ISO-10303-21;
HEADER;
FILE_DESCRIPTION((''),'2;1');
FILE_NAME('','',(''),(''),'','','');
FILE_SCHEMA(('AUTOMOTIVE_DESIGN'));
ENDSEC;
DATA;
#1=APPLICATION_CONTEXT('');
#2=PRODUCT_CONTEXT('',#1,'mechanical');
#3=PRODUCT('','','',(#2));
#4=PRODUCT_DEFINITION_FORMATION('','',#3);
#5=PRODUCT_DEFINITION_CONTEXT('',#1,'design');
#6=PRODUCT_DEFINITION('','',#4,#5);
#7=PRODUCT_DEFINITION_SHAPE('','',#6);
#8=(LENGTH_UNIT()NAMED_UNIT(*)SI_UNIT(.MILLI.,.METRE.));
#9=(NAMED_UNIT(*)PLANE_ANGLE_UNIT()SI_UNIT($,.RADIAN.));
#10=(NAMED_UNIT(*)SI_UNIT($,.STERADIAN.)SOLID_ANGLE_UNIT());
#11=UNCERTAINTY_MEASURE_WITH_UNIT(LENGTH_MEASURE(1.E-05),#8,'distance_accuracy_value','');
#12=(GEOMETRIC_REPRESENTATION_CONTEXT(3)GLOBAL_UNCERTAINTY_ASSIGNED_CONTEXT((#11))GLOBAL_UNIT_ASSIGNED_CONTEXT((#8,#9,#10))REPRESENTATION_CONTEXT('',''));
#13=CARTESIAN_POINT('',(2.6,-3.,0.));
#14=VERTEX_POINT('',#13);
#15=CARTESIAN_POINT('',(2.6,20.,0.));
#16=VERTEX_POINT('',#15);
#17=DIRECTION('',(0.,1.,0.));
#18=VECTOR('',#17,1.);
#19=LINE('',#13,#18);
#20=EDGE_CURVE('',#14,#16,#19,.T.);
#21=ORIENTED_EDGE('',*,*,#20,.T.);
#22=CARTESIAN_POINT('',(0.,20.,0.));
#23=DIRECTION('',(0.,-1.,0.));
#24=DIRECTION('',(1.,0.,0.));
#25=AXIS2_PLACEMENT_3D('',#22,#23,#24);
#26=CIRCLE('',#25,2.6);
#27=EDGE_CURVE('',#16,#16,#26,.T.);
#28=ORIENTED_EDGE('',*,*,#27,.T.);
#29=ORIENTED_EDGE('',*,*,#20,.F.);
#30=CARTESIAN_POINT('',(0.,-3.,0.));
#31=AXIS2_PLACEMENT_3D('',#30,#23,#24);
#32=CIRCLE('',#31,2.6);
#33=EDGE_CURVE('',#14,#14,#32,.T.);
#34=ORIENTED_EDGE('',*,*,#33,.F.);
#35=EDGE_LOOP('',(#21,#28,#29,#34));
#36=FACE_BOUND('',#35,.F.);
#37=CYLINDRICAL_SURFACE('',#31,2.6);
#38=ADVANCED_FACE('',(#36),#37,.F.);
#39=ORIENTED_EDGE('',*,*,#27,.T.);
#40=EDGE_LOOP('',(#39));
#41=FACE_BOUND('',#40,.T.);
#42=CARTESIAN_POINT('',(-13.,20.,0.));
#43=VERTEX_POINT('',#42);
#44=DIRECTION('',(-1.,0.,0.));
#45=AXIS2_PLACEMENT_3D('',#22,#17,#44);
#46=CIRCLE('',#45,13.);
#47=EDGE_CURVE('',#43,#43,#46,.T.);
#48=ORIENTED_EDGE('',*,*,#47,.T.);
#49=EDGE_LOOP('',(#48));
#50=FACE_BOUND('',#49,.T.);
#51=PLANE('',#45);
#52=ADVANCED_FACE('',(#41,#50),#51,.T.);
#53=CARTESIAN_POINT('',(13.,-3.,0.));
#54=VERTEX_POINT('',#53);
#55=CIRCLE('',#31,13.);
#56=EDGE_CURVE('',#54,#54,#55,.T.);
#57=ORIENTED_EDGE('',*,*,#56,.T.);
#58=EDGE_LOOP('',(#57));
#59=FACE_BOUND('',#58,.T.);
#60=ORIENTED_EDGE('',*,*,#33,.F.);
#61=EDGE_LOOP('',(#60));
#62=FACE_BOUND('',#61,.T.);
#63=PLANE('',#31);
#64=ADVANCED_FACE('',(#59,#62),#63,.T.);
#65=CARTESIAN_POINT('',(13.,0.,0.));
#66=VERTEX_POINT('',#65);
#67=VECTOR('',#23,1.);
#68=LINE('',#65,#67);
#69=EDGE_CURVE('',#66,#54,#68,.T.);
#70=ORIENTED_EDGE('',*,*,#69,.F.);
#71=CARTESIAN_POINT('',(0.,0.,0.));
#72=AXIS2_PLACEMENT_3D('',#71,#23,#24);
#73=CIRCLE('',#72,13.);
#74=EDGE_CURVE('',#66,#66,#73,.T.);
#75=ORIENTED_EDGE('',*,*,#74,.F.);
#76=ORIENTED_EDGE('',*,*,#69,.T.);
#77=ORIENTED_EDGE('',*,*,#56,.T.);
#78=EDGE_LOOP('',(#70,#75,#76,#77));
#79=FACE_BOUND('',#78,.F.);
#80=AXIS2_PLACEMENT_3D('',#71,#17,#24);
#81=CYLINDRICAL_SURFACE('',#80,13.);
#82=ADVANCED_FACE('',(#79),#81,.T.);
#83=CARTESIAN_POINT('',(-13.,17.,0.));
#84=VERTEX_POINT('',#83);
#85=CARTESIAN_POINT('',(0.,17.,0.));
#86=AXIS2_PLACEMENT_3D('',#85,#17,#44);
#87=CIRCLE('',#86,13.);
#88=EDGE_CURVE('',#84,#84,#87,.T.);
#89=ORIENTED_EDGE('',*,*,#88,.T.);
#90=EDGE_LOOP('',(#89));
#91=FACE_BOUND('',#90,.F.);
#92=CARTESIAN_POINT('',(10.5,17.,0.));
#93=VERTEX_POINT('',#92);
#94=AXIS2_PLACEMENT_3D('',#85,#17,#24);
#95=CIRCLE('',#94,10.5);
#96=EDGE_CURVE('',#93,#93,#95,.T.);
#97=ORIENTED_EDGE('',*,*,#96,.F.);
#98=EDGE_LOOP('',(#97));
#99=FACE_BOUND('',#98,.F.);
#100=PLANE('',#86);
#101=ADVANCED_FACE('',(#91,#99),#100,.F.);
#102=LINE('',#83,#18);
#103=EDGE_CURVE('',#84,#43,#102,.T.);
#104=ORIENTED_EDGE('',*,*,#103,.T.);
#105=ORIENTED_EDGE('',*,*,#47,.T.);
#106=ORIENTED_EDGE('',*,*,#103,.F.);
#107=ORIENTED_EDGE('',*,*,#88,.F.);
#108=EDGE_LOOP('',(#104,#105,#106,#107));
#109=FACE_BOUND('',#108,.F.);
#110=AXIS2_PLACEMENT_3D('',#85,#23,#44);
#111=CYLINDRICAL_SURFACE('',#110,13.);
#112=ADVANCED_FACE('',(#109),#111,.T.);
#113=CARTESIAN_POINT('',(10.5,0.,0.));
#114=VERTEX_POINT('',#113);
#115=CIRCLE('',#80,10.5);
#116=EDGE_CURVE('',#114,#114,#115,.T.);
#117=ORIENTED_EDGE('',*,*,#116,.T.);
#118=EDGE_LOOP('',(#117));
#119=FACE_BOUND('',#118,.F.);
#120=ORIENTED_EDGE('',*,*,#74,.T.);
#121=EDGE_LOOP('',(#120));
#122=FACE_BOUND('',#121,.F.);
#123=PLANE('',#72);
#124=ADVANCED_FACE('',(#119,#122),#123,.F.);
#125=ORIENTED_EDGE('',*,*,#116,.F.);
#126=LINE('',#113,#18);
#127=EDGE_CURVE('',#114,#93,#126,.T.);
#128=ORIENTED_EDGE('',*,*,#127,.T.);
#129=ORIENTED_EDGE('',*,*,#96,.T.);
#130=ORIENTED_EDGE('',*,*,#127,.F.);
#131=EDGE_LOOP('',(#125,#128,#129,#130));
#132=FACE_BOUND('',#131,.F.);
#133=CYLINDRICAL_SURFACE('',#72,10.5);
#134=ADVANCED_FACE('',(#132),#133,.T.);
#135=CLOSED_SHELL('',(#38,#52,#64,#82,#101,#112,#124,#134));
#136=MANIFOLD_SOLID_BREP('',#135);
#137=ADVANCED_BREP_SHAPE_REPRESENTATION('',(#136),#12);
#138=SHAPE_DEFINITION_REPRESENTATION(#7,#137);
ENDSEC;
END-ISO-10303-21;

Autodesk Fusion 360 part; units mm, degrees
sketch "Sketch1" plane through (0, 0, 0) normal (0, 1, 0) x (1, 0, 0)
  circle A0 centre (0, 0) radius 10.5
  dimension "d1" = 21
extrude "Extrude1" add sketch "Sketch1" along normal blind 17
sketch "Sketch2" plane through (0, 0, 0) normal (0, -1, 0) x (1, 0, 0)
  circle A0 centre (0, 0) radius 10.5
  circle A1 centre (0, 0) radius 13
  dimension "d4" = 26
extrude "Extrude2" add sketch "Sketch2" along normal blind 3 contours A0 | A1
sketch "Sketch3" plane through (0, 17, 0) normal (0, 1, 0) x (-1, 0, 0)
  circle A0 centre (0, 0) radius 10.5
  circle A1 centre (0, 0) radius 13
  dimension "d7" = 26
extrude "Extrude3" add sketch "Sketch3" along normal blind 3 contours A0 | A1
sketch "Sketch4" plane through (0, -3, 0) normal (0, -1, 0) x (1, 0, 0)
  circle A0 centre (0, 0) radius 13
  circle A1 centre (0, 0) radius 2.6
  dimension "d10" = 5.2
extrude "Extrude4" cut sketch "Sketch4" against normal blind 6 contours A1
extrude "Extrude5" cut sketch "Sketch4" against normal blind 23 contours A1
